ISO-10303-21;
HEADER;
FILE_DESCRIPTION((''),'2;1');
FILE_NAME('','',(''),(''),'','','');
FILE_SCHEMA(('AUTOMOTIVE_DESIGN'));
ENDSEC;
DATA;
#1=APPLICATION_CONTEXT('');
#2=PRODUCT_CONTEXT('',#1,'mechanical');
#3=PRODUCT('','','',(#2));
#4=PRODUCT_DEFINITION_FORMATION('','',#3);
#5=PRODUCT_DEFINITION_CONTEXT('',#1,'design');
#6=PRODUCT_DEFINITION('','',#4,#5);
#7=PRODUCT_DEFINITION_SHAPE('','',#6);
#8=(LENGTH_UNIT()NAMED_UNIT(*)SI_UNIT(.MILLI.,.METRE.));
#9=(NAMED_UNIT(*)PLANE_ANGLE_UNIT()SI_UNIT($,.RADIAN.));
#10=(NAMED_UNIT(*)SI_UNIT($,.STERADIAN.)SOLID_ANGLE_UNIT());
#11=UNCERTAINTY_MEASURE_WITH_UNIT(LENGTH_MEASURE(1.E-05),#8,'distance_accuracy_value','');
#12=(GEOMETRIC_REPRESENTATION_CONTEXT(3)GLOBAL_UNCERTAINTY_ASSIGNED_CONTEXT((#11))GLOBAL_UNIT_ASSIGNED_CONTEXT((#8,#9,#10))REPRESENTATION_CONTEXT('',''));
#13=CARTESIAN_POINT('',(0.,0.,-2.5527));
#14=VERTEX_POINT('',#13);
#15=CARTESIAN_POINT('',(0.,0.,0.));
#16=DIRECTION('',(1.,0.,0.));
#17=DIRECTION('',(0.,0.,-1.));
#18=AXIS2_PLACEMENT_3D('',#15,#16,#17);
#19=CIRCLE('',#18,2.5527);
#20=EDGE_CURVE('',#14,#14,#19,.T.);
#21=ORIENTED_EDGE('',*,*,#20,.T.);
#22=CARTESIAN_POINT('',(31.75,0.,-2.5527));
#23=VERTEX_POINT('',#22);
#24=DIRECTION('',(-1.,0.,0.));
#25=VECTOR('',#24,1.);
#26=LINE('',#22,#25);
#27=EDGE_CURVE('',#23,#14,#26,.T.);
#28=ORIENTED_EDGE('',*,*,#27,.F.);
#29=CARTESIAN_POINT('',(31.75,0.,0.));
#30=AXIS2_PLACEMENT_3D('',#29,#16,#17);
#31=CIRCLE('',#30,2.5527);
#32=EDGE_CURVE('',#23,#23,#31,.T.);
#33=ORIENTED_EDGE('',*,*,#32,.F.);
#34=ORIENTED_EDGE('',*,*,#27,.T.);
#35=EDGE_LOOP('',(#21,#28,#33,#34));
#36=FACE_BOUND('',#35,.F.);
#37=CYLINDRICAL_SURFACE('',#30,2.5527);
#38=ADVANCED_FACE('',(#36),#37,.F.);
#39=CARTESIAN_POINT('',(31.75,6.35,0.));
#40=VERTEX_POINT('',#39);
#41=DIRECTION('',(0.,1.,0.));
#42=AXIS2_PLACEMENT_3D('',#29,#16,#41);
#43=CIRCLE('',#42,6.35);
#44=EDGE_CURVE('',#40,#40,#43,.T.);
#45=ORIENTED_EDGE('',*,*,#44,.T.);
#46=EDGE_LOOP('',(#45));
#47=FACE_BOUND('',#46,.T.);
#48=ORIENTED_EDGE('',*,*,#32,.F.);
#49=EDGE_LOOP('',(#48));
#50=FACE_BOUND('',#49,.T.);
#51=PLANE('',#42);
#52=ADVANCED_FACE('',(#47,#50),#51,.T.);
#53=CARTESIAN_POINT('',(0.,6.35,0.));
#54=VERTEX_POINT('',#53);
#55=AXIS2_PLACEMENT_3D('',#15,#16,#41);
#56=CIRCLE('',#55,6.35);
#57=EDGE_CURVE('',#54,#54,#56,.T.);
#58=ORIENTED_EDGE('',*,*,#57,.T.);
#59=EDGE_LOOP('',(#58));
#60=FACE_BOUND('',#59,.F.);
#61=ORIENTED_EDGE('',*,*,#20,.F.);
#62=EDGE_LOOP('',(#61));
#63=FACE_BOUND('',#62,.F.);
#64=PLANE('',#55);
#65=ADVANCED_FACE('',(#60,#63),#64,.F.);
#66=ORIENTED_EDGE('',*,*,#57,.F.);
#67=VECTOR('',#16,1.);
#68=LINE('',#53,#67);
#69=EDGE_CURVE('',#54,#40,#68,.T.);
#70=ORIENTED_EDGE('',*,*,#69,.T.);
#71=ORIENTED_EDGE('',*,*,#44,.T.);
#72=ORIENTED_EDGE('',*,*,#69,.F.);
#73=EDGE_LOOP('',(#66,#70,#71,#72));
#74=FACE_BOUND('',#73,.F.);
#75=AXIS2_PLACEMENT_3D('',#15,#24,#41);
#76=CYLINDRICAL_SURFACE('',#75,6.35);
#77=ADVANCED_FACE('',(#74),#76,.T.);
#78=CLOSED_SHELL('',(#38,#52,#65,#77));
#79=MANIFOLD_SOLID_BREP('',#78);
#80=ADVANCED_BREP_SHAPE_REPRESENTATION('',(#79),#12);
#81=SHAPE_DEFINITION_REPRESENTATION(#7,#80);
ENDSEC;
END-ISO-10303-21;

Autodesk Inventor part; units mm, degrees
ref_plane "YZ Plane" through (0, 0, 0) normal (1, 0, 0) x (0, 1, 0)
ref_plane "XZ Plane" through (0, 0, 0) normal (0, 1, 0) x (-1, 0, 0)
ref_plane "XY Plane" through (0, 0, 0) normal (0, 0, 1) x (1, 0, 0)
sketch "Sketch1" plane through (0, 0, 0) normal (1, 0, 0) x (0, 1, 0)
  circle A0 centre (0, 0) radius 6.35
  dimension "d0" = 12.7
extrude "Extrusion1" add sketch "Sketch1" along normal blind 31.75
sketch "Sketch2" plane through (31.75, 0, 0) normal (1, 0, 0) x (0, 0, -1)
  circle A0 centre (0, 0) radius 2.5527
  dimension "d3" = 5.1054
extrude "Extrusion2" cut sketch "Sketch2" against normal through all
sketch "Sketch3" plane through (0, 0, 0) normal (-1, 0, 0) x (0, 0, 1)
  circle A0 centre (0, 0) radius 2.5527
  dimension "d6" = 5.1054
extrude "Extrusion3" [suppressed]
properties part number "INDX_003_OuterStandoff" material "Aluminum 6061"
